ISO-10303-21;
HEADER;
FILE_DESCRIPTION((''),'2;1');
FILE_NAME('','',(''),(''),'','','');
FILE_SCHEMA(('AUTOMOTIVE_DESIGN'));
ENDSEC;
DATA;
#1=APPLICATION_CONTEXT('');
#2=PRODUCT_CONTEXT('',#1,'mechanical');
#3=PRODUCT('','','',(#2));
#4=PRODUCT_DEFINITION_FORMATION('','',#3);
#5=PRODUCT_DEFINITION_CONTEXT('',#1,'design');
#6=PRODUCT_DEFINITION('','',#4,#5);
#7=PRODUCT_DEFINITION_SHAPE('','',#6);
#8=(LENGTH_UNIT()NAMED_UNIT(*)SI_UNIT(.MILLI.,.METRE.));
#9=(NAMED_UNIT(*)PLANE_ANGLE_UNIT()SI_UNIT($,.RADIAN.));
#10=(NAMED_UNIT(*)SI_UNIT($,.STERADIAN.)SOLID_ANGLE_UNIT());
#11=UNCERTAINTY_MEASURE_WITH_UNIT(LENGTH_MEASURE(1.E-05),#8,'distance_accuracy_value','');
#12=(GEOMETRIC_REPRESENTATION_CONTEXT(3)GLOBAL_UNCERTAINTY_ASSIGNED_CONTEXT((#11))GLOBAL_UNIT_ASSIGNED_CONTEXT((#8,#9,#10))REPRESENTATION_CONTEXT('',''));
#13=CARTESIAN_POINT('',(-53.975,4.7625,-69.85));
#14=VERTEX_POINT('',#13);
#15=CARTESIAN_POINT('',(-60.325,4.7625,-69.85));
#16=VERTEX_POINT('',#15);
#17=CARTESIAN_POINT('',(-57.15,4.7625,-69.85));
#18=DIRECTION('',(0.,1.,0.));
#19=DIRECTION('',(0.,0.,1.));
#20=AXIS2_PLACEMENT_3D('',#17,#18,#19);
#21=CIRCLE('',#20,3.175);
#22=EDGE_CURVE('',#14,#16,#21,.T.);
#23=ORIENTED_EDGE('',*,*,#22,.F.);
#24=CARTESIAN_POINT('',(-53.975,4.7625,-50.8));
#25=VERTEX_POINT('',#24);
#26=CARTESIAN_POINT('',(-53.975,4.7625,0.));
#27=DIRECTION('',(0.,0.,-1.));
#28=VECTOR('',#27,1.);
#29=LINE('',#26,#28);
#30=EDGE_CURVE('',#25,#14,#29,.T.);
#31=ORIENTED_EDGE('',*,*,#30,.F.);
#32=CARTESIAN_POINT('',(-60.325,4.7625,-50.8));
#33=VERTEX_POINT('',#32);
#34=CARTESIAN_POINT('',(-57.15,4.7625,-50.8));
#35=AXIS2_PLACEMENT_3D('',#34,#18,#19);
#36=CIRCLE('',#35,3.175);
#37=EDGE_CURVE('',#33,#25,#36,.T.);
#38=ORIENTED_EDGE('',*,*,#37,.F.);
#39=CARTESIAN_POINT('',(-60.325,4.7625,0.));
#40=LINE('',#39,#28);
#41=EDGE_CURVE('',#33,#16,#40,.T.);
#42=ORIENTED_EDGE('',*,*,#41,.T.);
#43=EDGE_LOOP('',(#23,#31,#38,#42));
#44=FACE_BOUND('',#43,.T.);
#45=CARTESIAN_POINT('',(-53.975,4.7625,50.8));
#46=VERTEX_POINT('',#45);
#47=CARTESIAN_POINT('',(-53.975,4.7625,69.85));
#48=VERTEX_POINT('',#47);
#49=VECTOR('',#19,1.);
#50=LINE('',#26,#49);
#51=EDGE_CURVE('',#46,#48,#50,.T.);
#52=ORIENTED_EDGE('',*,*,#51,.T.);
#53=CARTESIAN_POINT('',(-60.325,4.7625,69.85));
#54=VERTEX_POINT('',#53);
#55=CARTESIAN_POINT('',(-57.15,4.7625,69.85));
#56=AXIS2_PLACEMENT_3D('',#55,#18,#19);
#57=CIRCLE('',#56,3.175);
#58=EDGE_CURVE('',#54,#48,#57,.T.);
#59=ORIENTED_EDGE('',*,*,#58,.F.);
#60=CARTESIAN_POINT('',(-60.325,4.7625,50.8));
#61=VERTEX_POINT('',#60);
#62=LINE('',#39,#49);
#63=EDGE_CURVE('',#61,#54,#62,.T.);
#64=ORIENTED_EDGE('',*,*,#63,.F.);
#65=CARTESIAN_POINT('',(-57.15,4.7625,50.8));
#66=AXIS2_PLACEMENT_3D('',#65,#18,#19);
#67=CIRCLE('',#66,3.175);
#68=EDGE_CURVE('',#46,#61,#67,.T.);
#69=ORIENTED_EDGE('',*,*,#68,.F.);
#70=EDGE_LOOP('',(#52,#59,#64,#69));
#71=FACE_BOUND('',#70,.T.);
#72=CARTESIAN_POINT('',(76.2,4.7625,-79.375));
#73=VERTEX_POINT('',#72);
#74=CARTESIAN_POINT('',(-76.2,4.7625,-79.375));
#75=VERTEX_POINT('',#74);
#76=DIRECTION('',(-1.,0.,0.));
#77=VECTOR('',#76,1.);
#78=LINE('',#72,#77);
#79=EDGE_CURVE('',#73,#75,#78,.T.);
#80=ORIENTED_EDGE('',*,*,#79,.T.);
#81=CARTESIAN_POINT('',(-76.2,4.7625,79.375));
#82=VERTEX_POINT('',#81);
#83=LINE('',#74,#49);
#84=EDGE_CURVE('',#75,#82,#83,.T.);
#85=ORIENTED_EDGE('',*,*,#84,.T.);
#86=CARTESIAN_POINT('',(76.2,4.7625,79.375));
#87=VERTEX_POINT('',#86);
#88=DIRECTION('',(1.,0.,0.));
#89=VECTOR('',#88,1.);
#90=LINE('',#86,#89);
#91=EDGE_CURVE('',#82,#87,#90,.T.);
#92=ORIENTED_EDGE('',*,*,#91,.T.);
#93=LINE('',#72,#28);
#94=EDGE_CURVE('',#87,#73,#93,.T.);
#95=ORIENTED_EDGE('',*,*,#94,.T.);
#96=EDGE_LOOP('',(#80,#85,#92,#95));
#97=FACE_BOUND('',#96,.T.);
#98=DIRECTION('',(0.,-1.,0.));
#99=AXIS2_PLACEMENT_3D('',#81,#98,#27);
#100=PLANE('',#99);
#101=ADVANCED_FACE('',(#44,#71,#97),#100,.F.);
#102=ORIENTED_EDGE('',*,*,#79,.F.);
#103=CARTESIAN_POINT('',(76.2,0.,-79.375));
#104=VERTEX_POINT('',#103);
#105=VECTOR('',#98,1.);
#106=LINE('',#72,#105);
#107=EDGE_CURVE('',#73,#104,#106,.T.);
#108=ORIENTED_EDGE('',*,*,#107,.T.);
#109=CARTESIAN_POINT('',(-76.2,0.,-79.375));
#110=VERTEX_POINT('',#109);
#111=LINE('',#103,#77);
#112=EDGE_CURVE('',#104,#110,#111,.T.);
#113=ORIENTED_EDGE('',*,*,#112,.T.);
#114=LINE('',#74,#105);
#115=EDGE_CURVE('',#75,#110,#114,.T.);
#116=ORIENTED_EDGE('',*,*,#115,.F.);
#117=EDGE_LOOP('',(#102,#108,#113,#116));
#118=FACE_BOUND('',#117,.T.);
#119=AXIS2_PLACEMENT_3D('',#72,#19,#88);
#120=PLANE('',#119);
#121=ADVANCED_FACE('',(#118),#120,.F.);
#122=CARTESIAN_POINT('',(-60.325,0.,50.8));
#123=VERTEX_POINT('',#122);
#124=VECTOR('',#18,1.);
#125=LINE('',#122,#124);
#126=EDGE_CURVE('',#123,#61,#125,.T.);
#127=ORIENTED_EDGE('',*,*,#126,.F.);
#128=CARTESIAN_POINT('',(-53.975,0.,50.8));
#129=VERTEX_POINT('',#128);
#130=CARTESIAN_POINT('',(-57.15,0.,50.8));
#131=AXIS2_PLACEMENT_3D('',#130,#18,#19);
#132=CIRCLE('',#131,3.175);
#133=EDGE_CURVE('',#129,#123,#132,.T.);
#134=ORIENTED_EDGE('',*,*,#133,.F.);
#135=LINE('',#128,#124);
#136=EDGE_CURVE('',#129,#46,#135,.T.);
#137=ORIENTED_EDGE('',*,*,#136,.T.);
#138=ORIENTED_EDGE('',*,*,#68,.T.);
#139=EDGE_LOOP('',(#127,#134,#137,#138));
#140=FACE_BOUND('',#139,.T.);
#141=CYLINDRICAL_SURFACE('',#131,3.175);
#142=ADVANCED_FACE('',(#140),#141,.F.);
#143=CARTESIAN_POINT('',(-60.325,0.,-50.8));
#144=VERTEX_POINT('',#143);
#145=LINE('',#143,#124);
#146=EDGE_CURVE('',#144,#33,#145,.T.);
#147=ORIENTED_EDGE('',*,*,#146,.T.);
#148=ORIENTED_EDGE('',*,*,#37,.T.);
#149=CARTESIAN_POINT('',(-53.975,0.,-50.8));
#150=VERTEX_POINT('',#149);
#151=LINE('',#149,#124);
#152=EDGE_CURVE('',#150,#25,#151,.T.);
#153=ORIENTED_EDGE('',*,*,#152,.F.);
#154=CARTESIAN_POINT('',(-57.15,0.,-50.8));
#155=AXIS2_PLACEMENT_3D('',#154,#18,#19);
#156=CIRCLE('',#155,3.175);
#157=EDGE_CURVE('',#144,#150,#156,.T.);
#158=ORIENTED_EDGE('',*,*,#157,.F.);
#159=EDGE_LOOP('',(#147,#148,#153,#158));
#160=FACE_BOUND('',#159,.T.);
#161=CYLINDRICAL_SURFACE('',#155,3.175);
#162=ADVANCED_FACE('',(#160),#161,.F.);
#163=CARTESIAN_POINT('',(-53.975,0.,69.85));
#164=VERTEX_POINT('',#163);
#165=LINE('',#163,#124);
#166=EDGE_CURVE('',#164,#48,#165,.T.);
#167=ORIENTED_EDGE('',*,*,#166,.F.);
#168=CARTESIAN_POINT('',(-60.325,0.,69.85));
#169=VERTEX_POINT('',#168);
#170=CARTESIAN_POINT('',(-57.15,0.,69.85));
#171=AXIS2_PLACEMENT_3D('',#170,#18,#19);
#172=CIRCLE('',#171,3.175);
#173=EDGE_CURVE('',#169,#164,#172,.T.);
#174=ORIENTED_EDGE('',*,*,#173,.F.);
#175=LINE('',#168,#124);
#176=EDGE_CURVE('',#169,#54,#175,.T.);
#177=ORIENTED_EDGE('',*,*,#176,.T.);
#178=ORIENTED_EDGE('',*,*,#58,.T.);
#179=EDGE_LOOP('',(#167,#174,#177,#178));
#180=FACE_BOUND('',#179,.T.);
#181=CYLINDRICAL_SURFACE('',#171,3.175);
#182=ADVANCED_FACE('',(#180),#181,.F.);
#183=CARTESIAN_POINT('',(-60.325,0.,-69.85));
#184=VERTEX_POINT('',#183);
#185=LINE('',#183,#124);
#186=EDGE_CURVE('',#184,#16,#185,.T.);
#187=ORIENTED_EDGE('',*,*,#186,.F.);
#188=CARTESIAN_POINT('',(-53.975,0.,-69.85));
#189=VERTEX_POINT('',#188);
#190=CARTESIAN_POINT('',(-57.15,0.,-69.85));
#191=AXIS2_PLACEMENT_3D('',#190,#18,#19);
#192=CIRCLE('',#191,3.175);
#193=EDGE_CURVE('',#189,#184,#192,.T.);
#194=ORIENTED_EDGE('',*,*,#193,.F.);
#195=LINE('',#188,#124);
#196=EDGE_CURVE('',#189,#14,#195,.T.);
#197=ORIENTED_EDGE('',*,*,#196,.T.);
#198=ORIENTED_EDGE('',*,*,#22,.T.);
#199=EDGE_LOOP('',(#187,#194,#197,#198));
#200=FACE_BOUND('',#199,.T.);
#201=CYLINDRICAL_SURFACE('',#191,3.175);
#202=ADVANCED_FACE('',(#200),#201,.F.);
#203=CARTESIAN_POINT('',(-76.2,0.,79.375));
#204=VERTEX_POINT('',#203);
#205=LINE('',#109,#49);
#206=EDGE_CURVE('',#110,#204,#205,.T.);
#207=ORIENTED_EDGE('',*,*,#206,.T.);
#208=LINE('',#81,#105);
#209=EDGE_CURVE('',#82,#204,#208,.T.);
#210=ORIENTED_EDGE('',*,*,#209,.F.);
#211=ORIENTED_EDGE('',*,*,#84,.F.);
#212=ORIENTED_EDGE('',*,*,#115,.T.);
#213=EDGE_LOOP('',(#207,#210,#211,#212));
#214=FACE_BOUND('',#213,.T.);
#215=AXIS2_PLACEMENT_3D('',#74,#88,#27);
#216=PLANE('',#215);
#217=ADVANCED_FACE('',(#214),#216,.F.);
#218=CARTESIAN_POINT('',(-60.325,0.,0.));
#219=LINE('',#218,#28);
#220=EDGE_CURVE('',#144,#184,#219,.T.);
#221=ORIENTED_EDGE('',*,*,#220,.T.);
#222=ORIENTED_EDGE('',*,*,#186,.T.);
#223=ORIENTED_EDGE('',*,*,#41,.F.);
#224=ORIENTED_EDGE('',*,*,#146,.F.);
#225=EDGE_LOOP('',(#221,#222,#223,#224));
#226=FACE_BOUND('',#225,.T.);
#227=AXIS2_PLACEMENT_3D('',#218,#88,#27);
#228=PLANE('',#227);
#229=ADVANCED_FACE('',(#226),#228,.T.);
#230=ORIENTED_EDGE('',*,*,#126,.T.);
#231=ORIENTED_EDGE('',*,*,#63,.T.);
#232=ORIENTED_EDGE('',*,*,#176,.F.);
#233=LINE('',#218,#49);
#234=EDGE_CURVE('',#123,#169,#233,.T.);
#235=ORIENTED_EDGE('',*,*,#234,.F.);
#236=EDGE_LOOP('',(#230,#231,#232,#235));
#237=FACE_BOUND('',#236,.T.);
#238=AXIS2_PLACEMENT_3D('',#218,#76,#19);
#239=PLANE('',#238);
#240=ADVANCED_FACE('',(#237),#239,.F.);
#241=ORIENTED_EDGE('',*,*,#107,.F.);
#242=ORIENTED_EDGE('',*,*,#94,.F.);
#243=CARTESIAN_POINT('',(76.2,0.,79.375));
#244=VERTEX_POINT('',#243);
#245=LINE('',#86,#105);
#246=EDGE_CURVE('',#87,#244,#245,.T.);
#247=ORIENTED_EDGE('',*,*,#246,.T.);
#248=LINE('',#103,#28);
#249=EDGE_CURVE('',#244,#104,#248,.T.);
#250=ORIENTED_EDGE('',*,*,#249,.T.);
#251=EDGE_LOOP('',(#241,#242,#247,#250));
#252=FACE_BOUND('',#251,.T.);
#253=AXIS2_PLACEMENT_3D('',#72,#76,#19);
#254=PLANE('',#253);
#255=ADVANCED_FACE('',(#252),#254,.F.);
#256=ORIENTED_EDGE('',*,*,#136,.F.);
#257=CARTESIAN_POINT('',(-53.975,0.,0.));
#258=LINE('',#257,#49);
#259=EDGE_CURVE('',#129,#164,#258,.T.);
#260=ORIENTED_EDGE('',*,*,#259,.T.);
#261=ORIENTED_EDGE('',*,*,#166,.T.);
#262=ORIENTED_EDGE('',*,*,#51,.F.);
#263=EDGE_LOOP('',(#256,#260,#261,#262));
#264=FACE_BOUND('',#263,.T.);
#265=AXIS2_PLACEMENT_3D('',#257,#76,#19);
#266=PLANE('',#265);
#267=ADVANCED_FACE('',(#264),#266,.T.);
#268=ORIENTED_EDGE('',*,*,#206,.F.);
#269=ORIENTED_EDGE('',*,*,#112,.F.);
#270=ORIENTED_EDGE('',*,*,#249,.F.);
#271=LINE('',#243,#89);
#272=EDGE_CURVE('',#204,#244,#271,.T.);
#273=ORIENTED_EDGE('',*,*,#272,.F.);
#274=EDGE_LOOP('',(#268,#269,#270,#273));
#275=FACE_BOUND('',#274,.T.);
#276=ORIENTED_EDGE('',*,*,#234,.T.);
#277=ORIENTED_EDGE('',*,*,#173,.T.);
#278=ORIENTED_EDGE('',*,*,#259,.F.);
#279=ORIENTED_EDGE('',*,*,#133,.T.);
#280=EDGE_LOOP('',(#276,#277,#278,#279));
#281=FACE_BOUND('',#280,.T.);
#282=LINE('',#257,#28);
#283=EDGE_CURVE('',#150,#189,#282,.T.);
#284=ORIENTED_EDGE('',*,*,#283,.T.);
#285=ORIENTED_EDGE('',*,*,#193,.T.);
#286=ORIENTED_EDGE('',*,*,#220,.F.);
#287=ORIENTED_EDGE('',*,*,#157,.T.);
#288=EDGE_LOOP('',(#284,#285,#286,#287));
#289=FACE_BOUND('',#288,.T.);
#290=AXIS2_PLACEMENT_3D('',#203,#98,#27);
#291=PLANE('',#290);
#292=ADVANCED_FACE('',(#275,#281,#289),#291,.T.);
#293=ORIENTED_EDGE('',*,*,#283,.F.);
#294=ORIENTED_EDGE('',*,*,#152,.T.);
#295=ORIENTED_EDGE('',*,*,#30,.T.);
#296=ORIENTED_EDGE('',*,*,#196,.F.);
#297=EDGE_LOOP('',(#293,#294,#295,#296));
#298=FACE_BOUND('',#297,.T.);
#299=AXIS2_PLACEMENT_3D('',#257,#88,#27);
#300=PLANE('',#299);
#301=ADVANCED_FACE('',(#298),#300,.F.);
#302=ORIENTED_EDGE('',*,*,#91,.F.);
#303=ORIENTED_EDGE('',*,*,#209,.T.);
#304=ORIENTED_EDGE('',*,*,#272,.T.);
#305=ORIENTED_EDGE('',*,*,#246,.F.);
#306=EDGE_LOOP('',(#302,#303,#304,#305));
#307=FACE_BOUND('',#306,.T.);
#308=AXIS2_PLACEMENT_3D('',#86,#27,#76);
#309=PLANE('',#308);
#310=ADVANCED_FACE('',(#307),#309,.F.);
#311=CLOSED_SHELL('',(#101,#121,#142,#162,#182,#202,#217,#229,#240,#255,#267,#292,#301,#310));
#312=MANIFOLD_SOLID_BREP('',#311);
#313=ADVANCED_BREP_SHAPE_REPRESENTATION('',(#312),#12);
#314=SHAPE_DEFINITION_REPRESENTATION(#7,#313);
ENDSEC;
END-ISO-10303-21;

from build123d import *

# Parameters (mm, degrees)
SKETCH1_W           = 152.4
SKETCH1_H           = 158.75
BOSS_EXTRUDE1_DEPTH = 4.7625
CUT_EXTRUDE1_DEPTH  = 5.7625


with BuildPart() as part:
    # Sketch1 → Boss-Extrude1 (new body)
    with BuildSketch(Plane(origin=(0, 0, 0), x_dir=(1, 0, 0), z_dir=(0, 1, 0))):
        Rectangle(SKETCH1_W, SKETCH1_H)
    extrude(amount=BOSS_EXTRUDE1_DEPTH)

    # Sketch2 → Cut-Extrude1 (cut, through all)
    with BuildSketch(Plane(origin=(0, 4.7625, 0), x_dir=(1, 0, 0), z_dir=(0, 1, 0))):
        with BuildLine():
            Line((-53.975, 50.8), (-53.975, 69.85))
            ThreePointArc((-53.975, 69.85), (-57.15, 73.025), (-60.325, 69.85))
            Line((-60.325, 69.85), (-60.325, 50.8))
            ThreePointArc((-60.325, 50.8), (-57.15, 47.625), (-53.975, 50.8))
        make_face()
        with BuildLine():
            Line((-60.325, -50.8), (-60.325, -69.85))
            ThreePointArc((-60.325, -69.85), (-57.15, -73.025), (-53.975, -69.85))
            Line((-53.975, -69.85), (-53.975, -50.8))
            ThreePointArc((-53.975, -50.8), (-57.15, -47.625), (-60.325, -50.8))
        make_face()
    extrude(amount=-CUT_EXTRUDE1_DEPTH, mode=Mode.SUBTRACT)


solid = part.part
